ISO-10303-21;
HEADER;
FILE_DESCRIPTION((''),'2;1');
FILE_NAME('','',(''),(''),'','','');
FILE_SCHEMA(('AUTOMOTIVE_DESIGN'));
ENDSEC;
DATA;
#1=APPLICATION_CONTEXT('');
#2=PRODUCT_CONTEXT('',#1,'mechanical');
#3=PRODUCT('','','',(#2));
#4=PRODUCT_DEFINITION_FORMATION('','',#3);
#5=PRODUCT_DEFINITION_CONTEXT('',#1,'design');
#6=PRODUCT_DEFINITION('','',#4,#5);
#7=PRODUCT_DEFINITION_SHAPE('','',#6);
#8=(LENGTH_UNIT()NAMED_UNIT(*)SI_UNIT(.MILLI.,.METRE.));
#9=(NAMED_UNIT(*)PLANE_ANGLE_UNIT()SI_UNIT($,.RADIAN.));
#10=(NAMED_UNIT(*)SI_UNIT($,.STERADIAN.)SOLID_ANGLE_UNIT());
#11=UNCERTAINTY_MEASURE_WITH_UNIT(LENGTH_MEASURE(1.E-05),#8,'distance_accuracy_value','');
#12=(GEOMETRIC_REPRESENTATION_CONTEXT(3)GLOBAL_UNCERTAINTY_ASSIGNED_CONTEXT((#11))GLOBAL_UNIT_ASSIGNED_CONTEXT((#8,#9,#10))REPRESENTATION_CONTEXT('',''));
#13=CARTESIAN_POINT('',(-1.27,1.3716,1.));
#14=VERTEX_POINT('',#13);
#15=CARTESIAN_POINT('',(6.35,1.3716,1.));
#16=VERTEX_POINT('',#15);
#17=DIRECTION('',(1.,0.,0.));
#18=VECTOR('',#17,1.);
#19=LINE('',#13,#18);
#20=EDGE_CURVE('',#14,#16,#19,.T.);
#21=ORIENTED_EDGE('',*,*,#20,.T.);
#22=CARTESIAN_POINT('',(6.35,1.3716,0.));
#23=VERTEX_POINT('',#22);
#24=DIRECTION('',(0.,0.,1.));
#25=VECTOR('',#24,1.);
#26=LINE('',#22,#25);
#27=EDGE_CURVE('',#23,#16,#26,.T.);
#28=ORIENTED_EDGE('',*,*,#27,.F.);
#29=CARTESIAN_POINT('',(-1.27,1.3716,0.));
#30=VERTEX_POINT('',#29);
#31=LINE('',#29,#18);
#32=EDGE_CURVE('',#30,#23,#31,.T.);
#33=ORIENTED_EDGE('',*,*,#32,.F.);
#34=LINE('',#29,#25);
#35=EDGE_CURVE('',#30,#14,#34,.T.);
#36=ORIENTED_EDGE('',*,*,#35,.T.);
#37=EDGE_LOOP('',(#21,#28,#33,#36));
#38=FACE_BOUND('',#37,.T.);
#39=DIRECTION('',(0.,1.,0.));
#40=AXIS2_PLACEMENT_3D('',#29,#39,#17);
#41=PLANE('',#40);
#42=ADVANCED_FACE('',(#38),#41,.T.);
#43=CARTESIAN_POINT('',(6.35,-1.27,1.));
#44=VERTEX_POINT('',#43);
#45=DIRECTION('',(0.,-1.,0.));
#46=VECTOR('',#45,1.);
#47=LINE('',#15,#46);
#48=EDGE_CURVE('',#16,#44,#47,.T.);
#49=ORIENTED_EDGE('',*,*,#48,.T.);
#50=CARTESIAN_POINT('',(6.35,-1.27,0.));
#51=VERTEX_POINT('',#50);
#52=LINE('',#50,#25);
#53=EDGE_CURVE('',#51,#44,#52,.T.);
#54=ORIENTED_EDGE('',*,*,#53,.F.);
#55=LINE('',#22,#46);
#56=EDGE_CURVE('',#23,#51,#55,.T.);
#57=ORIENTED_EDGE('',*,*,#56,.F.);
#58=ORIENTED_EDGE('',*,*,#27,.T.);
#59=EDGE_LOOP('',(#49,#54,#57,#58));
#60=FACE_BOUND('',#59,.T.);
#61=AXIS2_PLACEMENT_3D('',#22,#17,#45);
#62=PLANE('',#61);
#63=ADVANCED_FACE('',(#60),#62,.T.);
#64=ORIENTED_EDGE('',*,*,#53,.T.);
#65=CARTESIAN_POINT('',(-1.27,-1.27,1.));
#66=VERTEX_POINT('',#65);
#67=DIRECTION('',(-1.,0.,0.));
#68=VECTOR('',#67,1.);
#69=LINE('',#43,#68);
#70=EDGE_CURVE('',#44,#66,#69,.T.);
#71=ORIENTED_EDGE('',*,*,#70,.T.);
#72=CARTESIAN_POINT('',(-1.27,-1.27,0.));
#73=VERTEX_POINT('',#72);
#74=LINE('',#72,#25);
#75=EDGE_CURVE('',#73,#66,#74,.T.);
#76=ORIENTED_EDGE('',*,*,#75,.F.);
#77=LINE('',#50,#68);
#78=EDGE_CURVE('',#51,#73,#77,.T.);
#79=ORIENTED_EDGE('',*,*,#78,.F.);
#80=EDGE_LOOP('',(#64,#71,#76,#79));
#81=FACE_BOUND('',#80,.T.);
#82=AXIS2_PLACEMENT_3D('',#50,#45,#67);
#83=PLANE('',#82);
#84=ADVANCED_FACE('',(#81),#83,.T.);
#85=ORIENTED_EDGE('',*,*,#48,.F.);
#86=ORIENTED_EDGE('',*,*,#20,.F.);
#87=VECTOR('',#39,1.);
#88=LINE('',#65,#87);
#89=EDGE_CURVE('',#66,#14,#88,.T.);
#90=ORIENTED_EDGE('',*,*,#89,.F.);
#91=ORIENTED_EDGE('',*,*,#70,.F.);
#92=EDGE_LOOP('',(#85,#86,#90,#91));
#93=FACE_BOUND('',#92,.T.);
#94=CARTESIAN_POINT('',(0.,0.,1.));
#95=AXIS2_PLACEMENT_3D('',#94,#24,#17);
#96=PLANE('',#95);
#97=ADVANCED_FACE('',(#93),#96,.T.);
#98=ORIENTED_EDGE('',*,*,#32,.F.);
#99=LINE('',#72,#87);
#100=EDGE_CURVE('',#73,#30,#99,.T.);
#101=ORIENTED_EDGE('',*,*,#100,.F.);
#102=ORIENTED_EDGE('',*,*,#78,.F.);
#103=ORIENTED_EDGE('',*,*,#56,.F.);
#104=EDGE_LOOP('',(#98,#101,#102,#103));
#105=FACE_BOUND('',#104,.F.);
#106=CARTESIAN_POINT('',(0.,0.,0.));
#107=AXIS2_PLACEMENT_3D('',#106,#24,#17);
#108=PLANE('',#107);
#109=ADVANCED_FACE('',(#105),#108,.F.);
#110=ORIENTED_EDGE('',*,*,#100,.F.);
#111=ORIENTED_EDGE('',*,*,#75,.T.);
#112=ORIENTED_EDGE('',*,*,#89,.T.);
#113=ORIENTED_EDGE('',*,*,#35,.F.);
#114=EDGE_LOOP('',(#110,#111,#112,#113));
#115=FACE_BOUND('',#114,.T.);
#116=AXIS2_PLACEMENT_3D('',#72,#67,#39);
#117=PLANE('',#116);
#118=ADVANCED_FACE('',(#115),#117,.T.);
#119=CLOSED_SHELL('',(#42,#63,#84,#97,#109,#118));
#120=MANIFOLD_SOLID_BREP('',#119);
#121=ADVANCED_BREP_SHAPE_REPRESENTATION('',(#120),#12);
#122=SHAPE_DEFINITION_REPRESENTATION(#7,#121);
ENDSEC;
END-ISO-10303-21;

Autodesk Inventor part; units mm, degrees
ref_plane "YZ Plane" through (0, 0, 0) normal (1, 0, 0) x (0, 1, 0)
ref_plane "XZ Plane" through (0, 0, 0) normal (0, 1, 0) x (-1, 0, 0)
ref_plane "XY Plane" through (0, 0, 0) normal (0, 0, 1) x (1, 0, 0)
sketch "1X03, JP2A_1X03_73" plane through (0, 0, 0) normal (0, 0, 1) x (1, 0, 0)
  line L0 (-1.27, 1.3716) -> (6.35, 1.3716)
  line L1 (6.35, 1.3716) -> (6.35, -1.27)
  line L2 (6.35, -1.27) -> (-1.27, -1.27)
  line L3 (-1.27, -1.27) -> (-1.27, 1.3716)
extrude "Extrusion1" add sketch "1X03, JP2A_1X03_73" along normal blind 1
properties part number "JP2A_1X03"
